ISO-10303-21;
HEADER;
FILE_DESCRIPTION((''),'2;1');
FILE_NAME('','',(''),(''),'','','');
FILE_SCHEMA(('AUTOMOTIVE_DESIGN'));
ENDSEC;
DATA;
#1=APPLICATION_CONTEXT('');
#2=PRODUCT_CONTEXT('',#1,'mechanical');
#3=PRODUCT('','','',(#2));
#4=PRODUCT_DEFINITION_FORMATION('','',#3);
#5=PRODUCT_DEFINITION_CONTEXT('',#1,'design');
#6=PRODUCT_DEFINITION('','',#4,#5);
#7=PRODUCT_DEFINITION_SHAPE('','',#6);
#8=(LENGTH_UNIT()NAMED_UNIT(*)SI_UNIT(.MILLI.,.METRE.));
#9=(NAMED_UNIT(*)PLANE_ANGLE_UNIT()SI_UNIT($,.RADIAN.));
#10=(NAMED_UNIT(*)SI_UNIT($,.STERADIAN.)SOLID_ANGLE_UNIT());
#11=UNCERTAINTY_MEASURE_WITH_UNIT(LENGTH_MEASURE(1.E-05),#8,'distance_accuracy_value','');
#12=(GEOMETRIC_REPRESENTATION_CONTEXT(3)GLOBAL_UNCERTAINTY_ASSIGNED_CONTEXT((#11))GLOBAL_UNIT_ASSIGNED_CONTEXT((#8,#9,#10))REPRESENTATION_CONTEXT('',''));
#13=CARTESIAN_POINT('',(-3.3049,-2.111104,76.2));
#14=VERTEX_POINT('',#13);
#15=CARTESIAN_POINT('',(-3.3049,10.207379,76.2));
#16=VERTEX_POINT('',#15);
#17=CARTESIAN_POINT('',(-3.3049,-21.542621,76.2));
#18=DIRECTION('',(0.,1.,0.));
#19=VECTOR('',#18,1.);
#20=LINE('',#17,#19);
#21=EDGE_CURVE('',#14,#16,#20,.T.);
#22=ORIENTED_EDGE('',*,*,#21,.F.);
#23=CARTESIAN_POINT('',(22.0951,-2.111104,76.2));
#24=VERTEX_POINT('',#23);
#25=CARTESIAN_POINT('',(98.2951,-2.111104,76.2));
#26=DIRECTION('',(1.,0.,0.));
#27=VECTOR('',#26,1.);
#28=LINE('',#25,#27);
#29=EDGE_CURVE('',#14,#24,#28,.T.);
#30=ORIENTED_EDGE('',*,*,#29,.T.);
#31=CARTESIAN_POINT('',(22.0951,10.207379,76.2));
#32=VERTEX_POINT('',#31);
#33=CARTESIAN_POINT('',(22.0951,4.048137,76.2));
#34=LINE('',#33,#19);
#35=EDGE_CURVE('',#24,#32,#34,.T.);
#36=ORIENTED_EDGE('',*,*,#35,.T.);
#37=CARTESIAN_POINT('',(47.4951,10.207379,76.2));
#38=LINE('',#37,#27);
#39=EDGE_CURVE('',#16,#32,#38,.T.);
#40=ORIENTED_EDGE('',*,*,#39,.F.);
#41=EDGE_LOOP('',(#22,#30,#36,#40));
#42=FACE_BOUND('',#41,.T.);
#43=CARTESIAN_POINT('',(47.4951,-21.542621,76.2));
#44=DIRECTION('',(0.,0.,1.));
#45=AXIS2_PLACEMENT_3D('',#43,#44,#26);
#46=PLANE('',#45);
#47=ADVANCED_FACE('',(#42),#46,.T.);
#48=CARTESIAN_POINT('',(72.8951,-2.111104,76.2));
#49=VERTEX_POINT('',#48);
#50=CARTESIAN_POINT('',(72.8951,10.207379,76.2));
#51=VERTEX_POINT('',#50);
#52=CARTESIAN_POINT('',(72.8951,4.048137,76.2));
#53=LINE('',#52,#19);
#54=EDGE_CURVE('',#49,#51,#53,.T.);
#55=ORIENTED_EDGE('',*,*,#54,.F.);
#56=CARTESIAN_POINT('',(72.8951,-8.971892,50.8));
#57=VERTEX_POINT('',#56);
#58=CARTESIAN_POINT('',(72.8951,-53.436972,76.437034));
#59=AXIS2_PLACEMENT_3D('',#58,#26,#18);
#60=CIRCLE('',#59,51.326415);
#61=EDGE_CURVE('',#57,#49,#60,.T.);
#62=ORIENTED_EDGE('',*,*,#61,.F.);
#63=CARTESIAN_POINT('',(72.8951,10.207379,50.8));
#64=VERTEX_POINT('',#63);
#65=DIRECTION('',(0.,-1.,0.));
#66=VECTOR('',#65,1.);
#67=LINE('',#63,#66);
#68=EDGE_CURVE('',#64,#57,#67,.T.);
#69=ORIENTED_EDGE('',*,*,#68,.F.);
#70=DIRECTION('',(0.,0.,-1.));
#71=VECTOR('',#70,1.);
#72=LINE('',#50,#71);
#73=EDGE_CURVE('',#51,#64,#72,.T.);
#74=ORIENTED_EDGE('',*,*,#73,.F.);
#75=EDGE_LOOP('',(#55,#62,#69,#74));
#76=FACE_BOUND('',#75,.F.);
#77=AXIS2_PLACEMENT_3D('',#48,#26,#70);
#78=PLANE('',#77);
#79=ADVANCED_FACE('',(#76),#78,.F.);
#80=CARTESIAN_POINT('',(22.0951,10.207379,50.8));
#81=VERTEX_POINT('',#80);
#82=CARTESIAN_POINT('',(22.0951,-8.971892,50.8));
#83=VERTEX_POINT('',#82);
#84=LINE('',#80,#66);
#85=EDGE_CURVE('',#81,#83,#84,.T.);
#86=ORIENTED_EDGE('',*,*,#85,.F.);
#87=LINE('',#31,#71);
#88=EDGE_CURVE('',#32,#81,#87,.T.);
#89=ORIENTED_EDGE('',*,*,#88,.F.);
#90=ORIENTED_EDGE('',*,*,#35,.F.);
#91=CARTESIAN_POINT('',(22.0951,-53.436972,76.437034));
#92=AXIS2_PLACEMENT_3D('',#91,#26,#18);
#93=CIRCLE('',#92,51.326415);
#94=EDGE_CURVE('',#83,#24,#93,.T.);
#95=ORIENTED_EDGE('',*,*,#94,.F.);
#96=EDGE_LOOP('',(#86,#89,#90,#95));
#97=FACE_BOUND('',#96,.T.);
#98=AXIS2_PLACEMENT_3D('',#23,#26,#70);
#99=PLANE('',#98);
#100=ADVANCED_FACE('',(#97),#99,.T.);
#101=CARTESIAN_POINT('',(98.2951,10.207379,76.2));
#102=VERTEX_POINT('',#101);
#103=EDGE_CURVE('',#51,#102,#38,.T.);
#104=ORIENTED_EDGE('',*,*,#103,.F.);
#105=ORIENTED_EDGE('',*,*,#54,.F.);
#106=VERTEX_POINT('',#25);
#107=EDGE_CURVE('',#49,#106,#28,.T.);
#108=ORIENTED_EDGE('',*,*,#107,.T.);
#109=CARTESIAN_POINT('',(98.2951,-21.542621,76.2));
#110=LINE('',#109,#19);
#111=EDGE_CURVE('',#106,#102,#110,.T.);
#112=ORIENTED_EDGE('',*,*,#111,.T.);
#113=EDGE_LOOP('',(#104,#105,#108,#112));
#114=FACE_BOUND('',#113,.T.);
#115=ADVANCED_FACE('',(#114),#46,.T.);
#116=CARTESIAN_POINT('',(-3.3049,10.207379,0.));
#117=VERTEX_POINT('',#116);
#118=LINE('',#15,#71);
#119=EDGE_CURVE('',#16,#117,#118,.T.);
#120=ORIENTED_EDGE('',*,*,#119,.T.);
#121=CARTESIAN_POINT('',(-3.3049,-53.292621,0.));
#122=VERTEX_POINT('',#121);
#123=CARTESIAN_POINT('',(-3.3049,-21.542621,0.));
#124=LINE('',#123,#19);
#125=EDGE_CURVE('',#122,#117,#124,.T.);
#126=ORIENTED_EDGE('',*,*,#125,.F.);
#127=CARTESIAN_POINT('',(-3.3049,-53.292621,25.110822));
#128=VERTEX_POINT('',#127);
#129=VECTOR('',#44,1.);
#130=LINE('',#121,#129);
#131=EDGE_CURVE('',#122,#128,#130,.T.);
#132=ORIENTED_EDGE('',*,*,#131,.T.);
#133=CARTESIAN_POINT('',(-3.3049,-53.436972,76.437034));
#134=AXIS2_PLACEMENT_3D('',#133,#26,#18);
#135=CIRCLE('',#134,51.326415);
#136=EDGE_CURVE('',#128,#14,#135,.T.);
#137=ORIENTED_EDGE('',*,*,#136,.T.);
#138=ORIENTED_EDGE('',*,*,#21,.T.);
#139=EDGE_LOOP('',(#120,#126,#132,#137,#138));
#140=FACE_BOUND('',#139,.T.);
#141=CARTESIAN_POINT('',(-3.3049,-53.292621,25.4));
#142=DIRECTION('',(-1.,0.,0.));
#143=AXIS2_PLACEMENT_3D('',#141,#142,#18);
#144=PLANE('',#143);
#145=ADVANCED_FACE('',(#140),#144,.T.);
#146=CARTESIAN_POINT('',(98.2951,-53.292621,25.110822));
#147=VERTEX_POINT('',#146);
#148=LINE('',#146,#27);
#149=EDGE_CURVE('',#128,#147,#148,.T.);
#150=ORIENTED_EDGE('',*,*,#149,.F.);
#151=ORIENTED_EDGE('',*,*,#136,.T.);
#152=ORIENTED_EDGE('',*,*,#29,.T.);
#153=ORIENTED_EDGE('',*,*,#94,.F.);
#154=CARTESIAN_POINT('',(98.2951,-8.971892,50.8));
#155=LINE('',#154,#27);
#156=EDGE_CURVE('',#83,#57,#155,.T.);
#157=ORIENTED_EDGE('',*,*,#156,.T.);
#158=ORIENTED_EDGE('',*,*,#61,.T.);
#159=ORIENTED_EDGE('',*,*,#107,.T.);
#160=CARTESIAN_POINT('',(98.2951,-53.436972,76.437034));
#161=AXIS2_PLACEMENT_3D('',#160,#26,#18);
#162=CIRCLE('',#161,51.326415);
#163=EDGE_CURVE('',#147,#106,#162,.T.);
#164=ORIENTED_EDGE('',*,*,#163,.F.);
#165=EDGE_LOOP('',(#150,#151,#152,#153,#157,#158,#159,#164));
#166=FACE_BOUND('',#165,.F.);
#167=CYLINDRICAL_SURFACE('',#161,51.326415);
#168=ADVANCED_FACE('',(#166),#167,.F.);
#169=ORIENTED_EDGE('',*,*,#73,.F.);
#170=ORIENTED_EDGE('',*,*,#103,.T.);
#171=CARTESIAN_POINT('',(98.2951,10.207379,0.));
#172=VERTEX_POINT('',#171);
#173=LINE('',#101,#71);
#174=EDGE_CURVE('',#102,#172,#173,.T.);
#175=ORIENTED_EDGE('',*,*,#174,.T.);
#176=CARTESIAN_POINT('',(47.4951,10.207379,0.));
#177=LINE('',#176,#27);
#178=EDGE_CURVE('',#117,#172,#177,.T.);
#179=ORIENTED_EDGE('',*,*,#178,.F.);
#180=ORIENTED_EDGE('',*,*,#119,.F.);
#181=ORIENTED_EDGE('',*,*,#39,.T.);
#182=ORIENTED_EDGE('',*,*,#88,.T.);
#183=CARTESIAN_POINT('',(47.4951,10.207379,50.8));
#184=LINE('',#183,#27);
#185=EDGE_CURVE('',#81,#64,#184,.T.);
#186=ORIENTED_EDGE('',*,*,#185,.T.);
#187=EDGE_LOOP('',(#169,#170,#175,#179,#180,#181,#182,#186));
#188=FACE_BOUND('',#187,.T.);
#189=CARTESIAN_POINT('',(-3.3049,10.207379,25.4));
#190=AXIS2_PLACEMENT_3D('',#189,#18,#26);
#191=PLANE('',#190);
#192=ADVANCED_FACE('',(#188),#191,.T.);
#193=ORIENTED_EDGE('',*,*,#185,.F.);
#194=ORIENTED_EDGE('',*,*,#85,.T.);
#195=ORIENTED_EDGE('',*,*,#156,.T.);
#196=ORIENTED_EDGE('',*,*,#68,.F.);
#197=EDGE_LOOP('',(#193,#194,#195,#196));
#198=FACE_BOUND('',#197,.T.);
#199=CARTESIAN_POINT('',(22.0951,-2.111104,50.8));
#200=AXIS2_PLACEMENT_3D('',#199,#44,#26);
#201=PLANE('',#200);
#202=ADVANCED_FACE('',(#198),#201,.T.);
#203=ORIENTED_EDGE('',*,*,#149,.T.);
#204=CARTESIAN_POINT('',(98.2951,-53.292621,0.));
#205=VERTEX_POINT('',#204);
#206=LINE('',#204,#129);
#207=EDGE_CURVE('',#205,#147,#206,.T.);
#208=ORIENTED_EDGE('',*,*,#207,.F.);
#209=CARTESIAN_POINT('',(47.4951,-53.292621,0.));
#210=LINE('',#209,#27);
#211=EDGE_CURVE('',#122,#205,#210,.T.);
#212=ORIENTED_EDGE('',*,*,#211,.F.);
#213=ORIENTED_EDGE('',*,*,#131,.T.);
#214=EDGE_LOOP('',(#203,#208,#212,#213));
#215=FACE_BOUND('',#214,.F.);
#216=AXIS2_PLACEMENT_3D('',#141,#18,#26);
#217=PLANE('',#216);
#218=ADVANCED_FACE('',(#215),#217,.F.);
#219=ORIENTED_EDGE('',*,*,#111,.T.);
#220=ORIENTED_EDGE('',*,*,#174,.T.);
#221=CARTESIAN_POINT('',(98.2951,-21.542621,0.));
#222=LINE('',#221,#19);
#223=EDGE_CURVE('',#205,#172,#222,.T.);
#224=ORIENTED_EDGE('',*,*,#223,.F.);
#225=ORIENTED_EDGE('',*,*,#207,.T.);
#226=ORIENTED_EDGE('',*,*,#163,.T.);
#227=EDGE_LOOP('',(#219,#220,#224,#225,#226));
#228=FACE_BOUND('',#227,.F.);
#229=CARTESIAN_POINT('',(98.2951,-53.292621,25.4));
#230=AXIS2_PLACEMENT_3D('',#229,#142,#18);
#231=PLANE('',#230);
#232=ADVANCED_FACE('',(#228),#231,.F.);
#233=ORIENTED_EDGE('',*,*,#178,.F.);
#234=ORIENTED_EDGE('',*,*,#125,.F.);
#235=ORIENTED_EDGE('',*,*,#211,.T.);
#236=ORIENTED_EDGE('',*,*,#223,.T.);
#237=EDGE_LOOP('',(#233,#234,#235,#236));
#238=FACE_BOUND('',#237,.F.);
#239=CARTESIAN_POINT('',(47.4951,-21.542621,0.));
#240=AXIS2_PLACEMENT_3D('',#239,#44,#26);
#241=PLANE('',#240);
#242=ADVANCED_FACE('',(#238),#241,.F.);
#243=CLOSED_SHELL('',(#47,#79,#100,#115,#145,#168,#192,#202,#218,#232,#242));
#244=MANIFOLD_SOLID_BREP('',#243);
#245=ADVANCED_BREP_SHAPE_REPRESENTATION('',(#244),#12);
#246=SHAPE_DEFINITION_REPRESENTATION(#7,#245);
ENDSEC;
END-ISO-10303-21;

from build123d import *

# Parameters (mm, degrees)
F0_W     = 101.6
F0_H     = 63.5
F1_DEPTH = 25.4
F2_DEPTH = 50.8
F4_R     = 51.3264150983
F5_DEPTH = 117.602
F6_W     = 50.8
F6_H     = 12.3184835084
F7_DEPTH = 25.4
F8_DEPTH = 25.4


with BuildPart() as f1:
    # F0 (on Top) → F1 (new body)
    with BuildSketch(Plane.XY):
        with Locations((47.4951000333, -21.5426209271)):
            Rectangle(F0_W, F0_H)
    extrude(amount=F1_DEPTH)

    # F2 (add): a face of the model
    f2_faces = [f1.faces().sort_by_distance(p)[0] for p in [
        (47.4951000333, -21.5426209271, 25.4),
    ]]
    extrude(f2_faces, amount=F2_DEPTH)

    # F4 (on face) → F5 (cut)
    with BuildSketch(Plane.YZ.offset(98.2951000333)):
        with Locations((-53.4369722009, 76.4370337129)):
            Circle(F4_R)
    extrude(amount=-F5_DEPTH, mode=Mode.SUBTRACT)

    # F6 (on face) → F7 (cut)
    with BuildSketch(Plane.XY.offset(76.2)):
        with Locations((47.4951000333, 4.0481373187)):
            Rectangle(F6_W, F6_H)
    extrude(amount=-F7_DEPTH, mode=Mode.SUBTRACT)

    # F8 (cut): a face of the model
    f8_faces = [f1.faces().sort_by_distance(p)[0] for p in [
        (47.4951000333, -2.1111044355, 63.5),
    ]]
    extrude(f8_faces, amount=-F8_DEPTH, mode=Mode.SUBTRACT)


solid = f1.part
